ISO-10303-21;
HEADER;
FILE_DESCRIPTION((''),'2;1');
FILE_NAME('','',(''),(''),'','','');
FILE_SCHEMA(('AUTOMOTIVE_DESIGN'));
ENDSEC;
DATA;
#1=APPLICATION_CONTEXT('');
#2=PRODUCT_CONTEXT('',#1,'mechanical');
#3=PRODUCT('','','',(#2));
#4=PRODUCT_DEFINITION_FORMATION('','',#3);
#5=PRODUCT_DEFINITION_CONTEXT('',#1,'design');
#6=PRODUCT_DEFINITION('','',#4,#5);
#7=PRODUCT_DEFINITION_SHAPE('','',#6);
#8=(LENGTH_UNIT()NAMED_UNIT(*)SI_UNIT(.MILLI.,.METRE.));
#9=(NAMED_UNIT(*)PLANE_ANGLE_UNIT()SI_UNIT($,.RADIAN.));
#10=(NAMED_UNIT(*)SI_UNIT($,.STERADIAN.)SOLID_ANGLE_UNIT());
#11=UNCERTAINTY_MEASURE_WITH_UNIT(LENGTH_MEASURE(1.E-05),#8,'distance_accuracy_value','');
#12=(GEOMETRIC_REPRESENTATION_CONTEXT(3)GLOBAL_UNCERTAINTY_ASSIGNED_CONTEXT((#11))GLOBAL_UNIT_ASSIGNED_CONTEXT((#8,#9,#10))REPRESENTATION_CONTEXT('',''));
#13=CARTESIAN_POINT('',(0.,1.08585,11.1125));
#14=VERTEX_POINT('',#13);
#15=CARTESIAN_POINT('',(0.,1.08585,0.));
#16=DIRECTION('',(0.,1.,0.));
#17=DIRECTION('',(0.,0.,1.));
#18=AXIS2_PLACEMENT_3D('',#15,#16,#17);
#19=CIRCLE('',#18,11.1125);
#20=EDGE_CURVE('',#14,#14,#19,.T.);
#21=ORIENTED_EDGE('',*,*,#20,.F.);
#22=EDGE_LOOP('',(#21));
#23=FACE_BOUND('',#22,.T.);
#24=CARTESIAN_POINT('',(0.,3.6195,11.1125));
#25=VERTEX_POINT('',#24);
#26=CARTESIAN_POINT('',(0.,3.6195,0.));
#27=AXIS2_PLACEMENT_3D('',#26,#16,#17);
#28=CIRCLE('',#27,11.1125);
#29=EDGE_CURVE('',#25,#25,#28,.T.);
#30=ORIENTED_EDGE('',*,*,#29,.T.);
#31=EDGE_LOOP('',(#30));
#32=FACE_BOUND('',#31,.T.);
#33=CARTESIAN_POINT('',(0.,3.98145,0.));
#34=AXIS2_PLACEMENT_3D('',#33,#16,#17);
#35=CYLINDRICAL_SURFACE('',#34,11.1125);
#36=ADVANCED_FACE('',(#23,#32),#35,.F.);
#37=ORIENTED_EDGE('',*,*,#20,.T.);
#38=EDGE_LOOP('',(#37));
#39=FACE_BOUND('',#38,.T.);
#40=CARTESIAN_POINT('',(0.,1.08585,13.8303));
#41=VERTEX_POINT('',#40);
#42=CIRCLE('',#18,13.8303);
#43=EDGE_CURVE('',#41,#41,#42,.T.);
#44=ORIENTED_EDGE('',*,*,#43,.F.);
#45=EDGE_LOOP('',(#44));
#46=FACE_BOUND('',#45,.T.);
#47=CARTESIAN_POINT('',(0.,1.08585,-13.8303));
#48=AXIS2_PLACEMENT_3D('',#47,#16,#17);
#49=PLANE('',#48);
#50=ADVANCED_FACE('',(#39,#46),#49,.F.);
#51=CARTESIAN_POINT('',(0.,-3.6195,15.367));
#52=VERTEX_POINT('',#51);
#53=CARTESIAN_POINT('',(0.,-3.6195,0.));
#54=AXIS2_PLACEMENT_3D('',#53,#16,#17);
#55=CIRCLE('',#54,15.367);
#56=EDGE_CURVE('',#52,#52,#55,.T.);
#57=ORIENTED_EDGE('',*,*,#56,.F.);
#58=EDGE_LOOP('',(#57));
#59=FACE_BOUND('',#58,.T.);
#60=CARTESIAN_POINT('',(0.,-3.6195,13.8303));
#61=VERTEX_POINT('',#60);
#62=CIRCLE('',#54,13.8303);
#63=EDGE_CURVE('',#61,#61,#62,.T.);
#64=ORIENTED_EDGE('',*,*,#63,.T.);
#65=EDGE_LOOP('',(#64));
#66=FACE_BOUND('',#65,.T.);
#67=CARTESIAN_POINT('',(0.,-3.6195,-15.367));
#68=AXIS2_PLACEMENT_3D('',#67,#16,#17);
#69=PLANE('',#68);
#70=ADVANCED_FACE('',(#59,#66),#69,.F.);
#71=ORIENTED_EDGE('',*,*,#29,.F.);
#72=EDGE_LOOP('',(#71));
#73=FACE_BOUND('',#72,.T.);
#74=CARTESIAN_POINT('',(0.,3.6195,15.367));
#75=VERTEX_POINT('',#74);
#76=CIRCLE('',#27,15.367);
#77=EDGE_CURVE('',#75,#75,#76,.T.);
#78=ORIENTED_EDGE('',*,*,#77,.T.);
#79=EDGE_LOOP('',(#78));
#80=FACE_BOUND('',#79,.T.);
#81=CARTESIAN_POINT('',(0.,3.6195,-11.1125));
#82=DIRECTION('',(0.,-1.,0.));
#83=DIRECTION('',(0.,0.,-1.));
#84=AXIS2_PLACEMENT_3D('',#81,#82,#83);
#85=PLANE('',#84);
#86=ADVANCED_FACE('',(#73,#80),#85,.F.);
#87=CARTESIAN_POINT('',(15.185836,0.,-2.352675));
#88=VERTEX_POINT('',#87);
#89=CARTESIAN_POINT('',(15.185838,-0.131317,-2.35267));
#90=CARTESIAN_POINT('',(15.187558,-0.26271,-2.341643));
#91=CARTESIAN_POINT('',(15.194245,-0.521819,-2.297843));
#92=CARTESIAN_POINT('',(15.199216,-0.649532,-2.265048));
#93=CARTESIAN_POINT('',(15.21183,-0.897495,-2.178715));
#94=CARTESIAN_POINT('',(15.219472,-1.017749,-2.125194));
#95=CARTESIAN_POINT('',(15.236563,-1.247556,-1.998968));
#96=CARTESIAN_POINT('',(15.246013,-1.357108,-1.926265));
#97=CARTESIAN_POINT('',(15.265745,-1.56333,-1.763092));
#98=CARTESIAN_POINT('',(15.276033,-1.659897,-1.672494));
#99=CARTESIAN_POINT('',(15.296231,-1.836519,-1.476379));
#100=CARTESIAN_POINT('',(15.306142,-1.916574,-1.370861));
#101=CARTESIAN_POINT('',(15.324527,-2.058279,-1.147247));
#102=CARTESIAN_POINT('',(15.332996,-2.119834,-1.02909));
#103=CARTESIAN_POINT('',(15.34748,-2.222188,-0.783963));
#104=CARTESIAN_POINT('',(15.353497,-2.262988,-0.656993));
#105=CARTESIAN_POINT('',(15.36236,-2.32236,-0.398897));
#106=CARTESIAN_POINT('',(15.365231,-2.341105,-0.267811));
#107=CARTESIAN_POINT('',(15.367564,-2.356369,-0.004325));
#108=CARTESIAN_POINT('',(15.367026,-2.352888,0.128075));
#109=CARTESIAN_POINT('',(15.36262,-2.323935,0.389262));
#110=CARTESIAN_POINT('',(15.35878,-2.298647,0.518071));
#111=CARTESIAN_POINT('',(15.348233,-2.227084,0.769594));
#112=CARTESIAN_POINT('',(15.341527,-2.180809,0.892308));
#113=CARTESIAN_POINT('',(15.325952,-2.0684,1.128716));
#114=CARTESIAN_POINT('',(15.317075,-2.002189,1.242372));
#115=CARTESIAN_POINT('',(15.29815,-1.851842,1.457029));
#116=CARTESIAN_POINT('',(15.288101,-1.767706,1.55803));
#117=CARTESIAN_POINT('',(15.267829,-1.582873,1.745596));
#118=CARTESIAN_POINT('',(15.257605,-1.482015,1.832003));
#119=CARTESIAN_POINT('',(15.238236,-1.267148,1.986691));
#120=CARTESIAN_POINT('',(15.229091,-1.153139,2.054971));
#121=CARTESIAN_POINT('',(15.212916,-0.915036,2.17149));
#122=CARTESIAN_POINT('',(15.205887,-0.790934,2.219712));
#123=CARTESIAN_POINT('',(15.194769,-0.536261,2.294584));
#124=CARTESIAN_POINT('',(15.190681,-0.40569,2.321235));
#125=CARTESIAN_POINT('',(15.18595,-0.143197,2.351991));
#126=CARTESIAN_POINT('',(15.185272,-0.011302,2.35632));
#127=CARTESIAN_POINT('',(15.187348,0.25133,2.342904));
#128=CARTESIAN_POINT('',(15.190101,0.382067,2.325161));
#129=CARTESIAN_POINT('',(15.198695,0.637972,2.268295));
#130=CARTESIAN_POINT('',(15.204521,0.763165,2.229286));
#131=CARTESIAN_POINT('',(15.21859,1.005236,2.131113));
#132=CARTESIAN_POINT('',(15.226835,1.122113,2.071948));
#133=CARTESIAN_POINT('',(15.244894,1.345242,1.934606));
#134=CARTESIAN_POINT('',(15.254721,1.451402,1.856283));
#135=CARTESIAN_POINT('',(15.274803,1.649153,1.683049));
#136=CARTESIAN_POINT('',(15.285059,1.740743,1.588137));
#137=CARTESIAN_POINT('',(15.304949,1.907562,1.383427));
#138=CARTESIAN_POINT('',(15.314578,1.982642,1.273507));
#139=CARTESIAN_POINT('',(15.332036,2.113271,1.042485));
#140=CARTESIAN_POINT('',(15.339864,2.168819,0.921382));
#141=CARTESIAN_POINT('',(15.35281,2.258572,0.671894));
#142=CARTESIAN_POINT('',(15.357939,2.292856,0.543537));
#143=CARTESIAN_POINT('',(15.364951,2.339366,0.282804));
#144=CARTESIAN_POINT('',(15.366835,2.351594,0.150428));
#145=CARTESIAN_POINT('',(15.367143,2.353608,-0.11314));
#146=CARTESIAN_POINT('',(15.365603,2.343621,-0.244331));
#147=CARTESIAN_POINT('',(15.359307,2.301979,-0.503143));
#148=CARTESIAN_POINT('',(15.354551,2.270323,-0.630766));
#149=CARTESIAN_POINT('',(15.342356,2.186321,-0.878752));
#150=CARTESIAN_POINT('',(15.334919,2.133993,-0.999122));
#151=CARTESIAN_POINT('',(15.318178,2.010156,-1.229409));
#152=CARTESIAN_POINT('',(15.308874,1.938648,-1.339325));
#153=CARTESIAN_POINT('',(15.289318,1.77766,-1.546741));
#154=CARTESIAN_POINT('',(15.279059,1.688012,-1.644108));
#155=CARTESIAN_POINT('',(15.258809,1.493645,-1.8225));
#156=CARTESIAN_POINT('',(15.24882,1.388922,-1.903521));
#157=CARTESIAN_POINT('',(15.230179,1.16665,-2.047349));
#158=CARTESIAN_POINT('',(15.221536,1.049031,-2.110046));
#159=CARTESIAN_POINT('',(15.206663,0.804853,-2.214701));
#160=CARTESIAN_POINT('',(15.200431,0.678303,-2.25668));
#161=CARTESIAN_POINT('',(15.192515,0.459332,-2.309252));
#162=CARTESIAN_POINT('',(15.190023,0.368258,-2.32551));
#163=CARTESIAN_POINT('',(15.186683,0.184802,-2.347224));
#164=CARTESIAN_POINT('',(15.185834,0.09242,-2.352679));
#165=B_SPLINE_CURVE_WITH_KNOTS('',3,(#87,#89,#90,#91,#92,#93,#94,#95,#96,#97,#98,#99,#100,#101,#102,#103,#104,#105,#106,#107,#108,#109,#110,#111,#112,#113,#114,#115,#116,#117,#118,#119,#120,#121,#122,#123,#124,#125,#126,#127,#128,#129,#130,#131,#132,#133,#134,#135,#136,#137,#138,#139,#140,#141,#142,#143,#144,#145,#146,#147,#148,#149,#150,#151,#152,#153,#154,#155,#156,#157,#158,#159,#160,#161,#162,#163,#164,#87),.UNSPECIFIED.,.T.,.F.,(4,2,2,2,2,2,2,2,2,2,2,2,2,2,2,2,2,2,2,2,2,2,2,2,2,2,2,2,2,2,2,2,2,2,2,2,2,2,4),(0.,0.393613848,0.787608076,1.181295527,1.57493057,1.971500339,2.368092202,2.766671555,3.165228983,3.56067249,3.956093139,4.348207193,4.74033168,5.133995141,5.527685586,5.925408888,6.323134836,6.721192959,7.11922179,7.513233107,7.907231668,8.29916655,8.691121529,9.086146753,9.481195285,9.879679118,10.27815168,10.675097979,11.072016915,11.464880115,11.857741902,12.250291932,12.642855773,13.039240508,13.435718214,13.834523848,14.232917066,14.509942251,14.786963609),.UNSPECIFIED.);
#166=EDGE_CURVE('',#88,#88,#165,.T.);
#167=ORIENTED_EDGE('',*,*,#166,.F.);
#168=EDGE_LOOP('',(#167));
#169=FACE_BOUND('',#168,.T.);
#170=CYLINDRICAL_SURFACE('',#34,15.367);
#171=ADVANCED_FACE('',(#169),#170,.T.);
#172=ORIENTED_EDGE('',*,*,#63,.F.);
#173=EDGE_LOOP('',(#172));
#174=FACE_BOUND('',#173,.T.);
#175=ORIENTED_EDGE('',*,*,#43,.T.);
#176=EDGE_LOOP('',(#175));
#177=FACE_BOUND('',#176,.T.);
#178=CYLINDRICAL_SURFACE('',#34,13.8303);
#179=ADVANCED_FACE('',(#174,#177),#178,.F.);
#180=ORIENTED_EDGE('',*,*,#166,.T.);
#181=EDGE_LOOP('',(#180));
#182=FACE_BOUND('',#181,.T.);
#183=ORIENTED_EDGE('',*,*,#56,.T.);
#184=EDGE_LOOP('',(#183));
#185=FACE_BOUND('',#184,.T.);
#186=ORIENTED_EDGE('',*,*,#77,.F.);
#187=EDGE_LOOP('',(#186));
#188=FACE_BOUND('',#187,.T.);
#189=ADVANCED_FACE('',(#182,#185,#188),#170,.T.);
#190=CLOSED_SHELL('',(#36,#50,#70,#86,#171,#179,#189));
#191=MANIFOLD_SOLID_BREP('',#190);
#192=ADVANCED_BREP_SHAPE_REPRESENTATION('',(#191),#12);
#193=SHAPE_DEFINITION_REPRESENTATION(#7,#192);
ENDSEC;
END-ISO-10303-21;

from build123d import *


with BuildPart() as part:
    # Sketch2 → Revolve1 (revolve)
    with BuildSketch(Plane(origin=(0, 0, 0), x_dir=(0, 0, -1), z_dir=(1, 0, 0)), mode=Mode.PRIVATE) as revolve1_sk:
        Polygon((11.1125, 1.08585), (11.1125, 3.6195), (15.367, 3.6195), (15.367, -3.6195), (13.8303, -3.6195), (13.8303, 1.08585), align=None)
    revolve(revolve1_sk.sketch.rotate(Axis((0, 3.98145, 0), (0, -1, 0)), 180), axis=Axis((0, 3.98145, 0), (0, -1, 0)))


solid = part.part
